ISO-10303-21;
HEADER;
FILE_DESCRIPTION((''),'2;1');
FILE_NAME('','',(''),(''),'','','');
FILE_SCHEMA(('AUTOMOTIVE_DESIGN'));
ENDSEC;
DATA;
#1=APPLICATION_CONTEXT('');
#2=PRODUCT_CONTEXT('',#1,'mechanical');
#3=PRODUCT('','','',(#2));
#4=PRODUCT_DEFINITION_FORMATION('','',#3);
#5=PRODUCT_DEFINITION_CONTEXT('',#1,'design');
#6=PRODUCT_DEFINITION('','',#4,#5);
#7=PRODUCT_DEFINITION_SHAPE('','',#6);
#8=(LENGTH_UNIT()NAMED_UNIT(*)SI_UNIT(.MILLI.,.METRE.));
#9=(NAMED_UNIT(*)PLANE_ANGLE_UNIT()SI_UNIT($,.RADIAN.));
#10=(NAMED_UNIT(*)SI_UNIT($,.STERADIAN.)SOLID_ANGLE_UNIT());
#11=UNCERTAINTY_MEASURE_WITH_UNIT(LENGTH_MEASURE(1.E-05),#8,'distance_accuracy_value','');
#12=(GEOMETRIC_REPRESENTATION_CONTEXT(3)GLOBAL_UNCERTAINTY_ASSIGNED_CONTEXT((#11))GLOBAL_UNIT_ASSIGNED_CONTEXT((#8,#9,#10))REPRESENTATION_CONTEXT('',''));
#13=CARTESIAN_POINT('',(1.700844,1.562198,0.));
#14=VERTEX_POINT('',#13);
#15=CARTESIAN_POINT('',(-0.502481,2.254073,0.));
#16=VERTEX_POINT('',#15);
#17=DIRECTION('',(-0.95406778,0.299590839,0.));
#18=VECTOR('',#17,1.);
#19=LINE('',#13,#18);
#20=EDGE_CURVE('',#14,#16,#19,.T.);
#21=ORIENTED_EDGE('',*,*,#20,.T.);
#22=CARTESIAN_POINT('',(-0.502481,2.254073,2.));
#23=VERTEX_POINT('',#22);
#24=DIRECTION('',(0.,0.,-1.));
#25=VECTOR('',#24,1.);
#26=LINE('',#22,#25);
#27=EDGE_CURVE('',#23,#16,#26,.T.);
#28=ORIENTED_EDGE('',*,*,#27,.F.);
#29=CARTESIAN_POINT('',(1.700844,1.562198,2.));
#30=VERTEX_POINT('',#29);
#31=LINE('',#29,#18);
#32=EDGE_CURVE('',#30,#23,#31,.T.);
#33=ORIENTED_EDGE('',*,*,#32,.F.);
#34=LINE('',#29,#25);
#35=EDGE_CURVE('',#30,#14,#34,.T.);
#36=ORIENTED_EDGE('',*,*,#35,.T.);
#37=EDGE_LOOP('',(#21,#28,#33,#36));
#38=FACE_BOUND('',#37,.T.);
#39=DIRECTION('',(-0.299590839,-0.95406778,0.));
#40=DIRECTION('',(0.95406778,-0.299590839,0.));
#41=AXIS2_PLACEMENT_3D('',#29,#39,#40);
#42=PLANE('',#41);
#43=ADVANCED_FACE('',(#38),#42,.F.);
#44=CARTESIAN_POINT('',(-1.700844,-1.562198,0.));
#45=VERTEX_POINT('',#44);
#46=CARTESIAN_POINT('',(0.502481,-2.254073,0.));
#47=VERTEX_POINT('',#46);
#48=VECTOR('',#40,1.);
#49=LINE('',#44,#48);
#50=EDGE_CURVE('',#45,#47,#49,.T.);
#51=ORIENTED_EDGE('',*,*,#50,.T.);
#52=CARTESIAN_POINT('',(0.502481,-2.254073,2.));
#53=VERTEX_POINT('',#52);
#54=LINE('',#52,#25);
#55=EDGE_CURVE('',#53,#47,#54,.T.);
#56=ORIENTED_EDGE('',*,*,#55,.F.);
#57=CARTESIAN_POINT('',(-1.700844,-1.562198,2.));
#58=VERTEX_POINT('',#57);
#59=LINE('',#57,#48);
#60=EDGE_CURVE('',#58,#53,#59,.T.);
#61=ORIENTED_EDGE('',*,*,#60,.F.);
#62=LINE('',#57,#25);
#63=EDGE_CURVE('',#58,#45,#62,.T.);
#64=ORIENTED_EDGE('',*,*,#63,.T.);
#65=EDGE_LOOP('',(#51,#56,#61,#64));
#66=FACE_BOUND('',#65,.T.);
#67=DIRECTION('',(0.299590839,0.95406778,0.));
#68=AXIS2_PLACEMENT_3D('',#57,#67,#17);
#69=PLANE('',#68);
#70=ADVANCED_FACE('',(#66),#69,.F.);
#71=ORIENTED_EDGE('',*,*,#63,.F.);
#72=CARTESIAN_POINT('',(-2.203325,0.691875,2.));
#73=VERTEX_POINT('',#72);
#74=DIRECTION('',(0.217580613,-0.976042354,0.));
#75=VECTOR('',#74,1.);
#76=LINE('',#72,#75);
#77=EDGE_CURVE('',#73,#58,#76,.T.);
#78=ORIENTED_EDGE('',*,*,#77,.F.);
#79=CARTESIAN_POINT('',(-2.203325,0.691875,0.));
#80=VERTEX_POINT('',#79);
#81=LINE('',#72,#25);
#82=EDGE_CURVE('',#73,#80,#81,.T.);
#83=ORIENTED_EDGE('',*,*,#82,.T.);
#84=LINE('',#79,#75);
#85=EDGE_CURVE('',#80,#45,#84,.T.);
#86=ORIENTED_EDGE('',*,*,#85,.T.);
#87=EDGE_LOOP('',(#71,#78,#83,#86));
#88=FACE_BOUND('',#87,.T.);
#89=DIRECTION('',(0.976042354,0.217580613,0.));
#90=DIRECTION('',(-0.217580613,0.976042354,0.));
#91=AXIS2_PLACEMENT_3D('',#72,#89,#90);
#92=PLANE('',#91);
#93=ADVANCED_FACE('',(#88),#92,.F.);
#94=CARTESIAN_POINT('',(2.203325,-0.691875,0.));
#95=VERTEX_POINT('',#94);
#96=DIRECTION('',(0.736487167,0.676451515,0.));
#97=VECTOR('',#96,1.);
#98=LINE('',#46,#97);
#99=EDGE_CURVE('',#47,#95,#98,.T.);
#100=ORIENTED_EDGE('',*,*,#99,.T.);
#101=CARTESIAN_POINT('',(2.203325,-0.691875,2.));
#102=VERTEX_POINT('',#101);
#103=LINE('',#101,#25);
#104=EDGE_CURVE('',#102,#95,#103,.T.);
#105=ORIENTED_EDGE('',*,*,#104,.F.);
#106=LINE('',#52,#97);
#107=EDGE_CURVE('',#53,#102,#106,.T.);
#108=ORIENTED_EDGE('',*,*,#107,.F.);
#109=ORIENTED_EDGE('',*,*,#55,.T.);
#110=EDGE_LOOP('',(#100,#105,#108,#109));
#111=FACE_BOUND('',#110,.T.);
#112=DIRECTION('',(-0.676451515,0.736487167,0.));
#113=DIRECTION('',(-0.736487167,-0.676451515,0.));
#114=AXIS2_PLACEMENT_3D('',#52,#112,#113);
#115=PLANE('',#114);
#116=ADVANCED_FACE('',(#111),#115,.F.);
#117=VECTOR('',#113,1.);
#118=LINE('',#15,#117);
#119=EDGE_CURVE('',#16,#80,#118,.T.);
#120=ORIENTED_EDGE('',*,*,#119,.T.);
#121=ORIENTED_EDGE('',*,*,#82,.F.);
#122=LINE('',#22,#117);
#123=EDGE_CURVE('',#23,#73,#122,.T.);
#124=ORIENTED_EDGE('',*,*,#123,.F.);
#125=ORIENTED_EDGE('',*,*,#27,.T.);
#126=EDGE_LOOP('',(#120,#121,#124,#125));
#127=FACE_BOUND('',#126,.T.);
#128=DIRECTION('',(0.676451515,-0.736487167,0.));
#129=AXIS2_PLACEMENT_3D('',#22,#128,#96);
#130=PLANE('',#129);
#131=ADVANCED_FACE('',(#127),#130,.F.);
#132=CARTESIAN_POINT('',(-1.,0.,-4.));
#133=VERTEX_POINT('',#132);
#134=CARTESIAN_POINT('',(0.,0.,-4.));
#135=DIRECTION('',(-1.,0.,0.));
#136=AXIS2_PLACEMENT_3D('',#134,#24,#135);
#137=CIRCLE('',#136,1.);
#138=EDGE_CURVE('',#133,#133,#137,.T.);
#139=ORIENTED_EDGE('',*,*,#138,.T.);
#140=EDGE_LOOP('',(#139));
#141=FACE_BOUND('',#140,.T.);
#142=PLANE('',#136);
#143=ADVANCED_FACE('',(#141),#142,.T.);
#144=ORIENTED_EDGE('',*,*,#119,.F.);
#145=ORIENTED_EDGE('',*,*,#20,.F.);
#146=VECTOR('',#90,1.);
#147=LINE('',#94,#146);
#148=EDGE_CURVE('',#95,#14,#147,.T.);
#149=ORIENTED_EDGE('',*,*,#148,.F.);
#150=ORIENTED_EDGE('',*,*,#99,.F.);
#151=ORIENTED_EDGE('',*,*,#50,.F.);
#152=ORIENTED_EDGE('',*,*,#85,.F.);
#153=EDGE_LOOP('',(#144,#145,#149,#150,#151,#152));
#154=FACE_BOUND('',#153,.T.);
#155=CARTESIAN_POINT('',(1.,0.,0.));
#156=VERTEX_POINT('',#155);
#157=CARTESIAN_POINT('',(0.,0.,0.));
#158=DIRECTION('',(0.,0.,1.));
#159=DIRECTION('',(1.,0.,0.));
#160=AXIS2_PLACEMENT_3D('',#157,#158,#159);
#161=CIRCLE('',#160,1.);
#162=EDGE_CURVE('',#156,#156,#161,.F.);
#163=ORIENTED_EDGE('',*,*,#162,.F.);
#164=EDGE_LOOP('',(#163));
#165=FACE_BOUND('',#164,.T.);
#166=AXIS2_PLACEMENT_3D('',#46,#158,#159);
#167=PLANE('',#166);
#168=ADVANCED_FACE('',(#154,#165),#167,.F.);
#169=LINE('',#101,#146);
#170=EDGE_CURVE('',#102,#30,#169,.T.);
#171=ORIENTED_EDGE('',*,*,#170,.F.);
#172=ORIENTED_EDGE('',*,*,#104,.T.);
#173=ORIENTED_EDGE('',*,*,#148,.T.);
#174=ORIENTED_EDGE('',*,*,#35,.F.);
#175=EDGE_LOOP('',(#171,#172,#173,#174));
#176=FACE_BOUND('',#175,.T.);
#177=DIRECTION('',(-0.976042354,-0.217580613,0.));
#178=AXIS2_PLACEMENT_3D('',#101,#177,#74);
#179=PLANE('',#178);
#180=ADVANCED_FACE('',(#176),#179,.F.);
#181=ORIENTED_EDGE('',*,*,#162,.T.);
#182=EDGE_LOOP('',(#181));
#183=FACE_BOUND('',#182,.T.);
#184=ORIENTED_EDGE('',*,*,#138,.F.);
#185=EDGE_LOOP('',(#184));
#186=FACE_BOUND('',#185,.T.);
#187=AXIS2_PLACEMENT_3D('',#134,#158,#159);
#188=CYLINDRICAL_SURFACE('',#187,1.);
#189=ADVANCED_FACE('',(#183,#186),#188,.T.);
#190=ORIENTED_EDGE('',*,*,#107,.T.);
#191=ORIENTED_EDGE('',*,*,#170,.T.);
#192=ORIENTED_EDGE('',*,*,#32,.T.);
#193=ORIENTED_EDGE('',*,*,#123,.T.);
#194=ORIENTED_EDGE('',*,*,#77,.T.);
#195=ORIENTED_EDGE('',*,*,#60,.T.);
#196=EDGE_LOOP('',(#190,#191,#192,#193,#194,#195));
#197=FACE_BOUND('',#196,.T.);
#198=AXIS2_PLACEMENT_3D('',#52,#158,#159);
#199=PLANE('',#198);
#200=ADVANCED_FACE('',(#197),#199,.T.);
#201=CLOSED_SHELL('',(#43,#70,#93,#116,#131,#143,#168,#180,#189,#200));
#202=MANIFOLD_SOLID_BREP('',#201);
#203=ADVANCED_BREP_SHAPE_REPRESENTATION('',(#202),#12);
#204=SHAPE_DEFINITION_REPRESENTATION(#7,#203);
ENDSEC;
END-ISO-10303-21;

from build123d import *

# Parameters (mm, degrees)
EXTRUDE_1_DEPTH = 2
SKETCH_2_R      = 1
EXTRUDE_2_DEPTH = 4


with BuildPart() as part:
    # 草图1 → 凸台-拉伸1 (new body)
    with BuildSketch(Plane.XY):
        Polygon((0.502480901, -2.254073263), (2.203325159, -0.691875406), (1.700844257, 1.562197857), (-0.502480901, 2.254073263), (-2.203325159, 0.691875406), (-1.700844257, -1.562197857), align=None)
    extrude(amount=EXTRUDE_1_DEPTH)

    # 草图2 → 凸台-拉伸2 (add)
    with BuildSketch(Plane(origin=(0, 0, 0), x_dir=(-1, 0, 0), z_dir=(0, 0, -1))):
        Circle(SKETCH_2_R)
    extrude(amount=EXTRUDE_2_DEPTH)


solid = part.part
